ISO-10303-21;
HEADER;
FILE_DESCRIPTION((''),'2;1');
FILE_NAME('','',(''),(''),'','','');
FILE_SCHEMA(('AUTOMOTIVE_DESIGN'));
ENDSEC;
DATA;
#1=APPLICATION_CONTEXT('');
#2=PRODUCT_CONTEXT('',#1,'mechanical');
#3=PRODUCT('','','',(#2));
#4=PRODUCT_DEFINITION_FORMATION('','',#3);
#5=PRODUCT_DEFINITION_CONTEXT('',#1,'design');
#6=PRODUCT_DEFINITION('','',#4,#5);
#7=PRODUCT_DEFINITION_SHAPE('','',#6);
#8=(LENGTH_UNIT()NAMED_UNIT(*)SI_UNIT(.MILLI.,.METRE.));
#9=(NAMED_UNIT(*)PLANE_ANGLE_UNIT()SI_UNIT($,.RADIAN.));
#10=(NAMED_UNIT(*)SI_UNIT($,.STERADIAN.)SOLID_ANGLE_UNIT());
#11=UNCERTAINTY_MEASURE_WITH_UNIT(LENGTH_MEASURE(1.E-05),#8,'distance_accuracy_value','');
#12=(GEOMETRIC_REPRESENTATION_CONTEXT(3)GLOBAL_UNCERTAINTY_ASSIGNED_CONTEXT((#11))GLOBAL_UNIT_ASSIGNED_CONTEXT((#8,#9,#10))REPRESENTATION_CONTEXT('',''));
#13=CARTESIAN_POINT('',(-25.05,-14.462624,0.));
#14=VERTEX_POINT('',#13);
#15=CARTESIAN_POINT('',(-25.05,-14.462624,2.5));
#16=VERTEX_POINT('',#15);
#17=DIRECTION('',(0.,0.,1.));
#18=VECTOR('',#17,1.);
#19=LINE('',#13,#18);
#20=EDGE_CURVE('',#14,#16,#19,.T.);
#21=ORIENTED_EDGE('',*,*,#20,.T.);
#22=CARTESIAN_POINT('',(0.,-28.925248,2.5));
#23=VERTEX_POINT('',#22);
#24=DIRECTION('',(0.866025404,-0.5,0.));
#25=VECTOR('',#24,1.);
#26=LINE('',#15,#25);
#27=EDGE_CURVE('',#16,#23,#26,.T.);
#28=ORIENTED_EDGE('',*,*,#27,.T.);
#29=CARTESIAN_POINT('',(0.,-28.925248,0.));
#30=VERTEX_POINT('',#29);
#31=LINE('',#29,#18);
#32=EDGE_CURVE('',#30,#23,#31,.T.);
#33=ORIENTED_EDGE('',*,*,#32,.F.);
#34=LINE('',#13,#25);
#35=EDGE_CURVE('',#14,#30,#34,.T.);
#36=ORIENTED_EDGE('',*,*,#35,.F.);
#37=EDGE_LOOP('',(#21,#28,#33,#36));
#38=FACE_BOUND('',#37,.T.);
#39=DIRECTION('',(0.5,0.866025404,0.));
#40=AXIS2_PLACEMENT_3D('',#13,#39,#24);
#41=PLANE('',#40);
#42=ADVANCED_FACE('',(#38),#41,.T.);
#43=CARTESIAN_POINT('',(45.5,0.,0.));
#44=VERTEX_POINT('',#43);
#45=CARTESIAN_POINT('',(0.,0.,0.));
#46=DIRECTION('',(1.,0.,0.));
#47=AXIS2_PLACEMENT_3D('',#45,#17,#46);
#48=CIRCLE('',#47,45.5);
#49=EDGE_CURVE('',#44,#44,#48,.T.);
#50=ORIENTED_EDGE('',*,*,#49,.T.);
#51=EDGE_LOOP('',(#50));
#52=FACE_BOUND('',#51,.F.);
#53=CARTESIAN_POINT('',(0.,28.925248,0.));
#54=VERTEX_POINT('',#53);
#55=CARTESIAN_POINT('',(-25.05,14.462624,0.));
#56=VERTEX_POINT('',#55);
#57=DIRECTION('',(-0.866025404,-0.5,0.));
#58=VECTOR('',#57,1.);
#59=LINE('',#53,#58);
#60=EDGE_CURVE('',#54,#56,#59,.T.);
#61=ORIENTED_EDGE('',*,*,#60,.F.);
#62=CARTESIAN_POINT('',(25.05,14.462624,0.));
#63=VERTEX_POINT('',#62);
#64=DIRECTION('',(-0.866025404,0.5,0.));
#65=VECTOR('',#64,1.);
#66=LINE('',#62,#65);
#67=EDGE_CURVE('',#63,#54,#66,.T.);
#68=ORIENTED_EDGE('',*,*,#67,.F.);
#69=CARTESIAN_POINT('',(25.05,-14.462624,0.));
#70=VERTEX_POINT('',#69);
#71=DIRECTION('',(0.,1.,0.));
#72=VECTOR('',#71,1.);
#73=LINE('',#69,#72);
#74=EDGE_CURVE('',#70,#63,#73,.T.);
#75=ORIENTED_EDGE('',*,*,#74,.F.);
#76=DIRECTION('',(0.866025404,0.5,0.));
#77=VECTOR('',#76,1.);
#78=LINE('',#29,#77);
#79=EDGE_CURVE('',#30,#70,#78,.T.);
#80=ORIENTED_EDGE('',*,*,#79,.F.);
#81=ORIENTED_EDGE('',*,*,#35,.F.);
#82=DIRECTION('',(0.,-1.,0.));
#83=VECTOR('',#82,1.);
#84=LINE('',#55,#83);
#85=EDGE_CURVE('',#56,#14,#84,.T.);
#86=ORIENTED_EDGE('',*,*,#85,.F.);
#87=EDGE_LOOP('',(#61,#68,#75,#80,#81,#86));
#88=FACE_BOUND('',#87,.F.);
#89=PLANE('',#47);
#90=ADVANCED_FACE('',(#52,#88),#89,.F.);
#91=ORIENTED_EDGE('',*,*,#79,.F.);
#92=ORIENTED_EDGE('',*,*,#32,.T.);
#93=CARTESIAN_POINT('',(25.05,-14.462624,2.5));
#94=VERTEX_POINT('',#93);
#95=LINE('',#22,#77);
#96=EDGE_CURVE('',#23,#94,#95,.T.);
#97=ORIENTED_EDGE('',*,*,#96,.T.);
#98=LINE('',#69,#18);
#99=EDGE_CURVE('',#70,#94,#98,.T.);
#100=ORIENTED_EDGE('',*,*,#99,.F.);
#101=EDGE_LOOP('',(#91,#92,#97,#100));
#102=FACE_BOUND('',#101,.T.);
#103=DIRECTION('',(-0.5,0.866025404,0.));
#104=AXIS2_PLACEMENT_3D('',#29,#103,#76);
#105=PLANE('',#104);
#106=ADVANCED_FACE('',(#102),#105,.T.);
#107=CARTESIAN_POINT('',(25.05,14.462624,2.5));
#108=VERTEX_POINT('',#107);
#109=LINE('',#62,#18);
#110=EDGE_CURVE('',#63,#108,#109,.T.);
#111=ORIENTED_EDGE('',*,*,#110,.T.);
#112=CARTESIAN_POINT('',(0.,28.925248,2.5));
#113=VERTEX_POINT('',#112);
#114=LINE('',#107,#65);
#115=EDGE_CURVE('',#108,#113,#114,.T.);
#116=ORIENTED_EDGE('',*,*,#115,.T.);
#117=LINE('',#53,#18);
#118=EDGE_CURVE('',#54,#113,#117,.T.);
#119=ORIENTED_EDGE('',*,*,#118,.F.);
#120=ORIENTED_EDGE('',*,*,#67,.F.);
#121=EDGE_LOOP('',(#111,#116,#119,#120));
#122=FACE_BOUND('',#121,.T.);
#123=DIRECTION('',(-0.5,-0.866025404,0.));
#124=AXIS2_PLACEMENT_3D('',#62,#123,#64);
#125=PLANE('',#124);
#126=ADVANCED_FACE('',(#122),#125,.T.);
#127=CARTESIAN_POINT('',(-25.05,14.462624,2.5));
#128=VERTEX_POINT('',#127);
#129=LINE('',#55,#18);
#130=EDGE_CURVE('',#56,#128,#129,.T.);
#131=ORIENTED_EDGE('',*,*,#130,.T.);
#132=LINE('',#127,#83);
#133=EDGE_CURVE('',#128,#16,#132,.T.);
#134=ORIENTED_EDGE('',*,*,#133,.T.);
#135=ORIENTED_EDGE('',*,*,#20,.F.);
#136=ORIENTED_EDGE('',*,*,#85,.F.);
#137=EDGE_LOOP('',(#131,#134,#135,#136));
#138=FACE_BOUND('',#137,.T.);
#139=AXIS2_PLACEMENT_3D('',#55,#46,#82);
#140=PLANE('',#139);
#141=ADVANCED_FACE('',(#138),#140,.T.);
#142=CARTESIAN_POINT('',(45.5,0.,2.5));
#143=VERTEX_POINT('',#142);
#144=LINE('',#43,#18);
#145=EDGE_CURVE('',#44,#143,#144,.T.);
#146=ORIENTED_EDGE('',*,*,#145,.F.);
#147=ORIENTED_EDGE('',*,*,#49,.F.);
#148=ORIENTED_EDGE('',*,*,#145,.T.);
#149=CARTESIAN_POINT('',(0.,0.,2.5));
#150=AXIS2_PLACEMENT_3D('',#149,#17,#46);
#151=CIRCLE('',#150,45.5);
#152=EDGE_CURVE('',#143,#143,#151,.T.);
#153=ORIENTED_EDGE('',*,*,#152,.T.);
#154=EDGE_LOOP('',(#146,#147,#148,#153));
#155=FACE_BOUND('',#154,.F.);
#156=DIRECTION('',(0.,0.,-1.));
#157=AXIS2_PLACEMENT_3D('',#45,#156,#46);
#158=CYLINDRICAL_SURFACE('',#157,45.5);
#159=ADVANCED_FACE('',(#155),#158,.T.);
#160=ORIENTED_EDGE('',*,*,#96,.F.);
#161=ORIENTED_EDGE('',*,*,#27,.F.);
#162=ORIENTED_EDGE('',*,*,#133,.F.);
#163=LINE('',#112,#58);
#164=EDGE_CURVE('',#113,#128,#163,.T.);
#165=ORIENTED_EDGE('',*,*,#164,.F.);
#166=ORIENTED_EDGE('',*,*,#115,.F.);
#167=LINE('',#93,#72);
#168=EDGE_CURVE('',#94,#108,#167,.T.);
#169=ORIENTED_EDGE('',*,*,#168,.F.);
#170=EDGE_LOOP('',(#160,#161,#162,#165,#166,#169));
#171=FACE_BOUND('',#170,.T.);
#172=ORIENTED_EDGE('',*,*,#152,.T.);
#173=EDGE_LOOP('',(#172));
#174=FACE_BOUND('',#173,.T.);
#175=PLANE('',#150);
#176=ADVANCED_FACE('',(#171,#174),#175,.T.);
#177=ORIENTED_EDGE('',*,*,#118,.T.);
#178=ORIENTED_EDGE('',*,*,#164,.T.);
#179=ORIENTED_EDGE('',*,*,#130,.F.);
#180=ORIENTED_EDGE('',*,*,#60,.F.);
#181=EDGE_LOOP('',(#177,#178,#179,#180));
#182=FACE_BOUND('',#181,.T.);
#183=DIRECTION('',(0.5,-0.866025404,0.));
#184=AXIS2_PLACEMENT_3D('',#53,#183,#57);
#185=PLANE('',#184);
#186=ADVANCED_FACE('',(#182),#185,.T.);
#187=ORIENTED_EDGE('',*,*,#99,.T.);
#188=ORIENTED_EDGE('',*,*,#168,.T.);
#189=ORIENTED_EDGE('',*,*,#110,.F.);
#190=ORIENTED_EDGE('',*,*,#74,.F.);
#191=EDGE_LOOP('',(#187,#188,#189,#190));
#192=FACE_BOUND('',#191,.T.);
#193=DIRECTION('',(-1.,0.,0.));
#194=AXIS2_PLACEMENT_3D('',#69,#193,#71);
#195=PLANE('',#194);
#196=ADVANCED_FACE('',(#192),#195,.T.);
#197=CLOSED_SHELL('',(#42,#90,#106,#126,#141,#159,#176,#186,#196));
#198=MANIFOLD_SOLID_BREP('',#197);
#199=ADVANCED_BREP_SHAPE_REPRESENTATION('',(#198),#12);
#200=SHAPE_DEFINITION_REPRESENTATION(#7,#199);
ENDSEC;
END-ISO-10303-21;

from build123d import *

# Parameters (mm, degrees)
ESQUISSE1_R        = 45.5
BOSS_EXTRU_1_DEPTH = 2.5


with BuildPart() as part:
    # Esquisse1 → Boss.-Extru.1 (new body)
    with BuildSketch(Plane.XY):
        Circle(ESQUISSE1_R)
        Polygon((0, 28.925248486), (-25.05, 14.462624243), (-25.05, -14.462624243), (0, -28.925248486), (25.05, -14.462624243), (25.05, 14.462624243), align=None, mode=Mode.SUBTRACT)
    extrude(amount=BOSS_EXTRU_1_DEPTH)


solid = part.part
